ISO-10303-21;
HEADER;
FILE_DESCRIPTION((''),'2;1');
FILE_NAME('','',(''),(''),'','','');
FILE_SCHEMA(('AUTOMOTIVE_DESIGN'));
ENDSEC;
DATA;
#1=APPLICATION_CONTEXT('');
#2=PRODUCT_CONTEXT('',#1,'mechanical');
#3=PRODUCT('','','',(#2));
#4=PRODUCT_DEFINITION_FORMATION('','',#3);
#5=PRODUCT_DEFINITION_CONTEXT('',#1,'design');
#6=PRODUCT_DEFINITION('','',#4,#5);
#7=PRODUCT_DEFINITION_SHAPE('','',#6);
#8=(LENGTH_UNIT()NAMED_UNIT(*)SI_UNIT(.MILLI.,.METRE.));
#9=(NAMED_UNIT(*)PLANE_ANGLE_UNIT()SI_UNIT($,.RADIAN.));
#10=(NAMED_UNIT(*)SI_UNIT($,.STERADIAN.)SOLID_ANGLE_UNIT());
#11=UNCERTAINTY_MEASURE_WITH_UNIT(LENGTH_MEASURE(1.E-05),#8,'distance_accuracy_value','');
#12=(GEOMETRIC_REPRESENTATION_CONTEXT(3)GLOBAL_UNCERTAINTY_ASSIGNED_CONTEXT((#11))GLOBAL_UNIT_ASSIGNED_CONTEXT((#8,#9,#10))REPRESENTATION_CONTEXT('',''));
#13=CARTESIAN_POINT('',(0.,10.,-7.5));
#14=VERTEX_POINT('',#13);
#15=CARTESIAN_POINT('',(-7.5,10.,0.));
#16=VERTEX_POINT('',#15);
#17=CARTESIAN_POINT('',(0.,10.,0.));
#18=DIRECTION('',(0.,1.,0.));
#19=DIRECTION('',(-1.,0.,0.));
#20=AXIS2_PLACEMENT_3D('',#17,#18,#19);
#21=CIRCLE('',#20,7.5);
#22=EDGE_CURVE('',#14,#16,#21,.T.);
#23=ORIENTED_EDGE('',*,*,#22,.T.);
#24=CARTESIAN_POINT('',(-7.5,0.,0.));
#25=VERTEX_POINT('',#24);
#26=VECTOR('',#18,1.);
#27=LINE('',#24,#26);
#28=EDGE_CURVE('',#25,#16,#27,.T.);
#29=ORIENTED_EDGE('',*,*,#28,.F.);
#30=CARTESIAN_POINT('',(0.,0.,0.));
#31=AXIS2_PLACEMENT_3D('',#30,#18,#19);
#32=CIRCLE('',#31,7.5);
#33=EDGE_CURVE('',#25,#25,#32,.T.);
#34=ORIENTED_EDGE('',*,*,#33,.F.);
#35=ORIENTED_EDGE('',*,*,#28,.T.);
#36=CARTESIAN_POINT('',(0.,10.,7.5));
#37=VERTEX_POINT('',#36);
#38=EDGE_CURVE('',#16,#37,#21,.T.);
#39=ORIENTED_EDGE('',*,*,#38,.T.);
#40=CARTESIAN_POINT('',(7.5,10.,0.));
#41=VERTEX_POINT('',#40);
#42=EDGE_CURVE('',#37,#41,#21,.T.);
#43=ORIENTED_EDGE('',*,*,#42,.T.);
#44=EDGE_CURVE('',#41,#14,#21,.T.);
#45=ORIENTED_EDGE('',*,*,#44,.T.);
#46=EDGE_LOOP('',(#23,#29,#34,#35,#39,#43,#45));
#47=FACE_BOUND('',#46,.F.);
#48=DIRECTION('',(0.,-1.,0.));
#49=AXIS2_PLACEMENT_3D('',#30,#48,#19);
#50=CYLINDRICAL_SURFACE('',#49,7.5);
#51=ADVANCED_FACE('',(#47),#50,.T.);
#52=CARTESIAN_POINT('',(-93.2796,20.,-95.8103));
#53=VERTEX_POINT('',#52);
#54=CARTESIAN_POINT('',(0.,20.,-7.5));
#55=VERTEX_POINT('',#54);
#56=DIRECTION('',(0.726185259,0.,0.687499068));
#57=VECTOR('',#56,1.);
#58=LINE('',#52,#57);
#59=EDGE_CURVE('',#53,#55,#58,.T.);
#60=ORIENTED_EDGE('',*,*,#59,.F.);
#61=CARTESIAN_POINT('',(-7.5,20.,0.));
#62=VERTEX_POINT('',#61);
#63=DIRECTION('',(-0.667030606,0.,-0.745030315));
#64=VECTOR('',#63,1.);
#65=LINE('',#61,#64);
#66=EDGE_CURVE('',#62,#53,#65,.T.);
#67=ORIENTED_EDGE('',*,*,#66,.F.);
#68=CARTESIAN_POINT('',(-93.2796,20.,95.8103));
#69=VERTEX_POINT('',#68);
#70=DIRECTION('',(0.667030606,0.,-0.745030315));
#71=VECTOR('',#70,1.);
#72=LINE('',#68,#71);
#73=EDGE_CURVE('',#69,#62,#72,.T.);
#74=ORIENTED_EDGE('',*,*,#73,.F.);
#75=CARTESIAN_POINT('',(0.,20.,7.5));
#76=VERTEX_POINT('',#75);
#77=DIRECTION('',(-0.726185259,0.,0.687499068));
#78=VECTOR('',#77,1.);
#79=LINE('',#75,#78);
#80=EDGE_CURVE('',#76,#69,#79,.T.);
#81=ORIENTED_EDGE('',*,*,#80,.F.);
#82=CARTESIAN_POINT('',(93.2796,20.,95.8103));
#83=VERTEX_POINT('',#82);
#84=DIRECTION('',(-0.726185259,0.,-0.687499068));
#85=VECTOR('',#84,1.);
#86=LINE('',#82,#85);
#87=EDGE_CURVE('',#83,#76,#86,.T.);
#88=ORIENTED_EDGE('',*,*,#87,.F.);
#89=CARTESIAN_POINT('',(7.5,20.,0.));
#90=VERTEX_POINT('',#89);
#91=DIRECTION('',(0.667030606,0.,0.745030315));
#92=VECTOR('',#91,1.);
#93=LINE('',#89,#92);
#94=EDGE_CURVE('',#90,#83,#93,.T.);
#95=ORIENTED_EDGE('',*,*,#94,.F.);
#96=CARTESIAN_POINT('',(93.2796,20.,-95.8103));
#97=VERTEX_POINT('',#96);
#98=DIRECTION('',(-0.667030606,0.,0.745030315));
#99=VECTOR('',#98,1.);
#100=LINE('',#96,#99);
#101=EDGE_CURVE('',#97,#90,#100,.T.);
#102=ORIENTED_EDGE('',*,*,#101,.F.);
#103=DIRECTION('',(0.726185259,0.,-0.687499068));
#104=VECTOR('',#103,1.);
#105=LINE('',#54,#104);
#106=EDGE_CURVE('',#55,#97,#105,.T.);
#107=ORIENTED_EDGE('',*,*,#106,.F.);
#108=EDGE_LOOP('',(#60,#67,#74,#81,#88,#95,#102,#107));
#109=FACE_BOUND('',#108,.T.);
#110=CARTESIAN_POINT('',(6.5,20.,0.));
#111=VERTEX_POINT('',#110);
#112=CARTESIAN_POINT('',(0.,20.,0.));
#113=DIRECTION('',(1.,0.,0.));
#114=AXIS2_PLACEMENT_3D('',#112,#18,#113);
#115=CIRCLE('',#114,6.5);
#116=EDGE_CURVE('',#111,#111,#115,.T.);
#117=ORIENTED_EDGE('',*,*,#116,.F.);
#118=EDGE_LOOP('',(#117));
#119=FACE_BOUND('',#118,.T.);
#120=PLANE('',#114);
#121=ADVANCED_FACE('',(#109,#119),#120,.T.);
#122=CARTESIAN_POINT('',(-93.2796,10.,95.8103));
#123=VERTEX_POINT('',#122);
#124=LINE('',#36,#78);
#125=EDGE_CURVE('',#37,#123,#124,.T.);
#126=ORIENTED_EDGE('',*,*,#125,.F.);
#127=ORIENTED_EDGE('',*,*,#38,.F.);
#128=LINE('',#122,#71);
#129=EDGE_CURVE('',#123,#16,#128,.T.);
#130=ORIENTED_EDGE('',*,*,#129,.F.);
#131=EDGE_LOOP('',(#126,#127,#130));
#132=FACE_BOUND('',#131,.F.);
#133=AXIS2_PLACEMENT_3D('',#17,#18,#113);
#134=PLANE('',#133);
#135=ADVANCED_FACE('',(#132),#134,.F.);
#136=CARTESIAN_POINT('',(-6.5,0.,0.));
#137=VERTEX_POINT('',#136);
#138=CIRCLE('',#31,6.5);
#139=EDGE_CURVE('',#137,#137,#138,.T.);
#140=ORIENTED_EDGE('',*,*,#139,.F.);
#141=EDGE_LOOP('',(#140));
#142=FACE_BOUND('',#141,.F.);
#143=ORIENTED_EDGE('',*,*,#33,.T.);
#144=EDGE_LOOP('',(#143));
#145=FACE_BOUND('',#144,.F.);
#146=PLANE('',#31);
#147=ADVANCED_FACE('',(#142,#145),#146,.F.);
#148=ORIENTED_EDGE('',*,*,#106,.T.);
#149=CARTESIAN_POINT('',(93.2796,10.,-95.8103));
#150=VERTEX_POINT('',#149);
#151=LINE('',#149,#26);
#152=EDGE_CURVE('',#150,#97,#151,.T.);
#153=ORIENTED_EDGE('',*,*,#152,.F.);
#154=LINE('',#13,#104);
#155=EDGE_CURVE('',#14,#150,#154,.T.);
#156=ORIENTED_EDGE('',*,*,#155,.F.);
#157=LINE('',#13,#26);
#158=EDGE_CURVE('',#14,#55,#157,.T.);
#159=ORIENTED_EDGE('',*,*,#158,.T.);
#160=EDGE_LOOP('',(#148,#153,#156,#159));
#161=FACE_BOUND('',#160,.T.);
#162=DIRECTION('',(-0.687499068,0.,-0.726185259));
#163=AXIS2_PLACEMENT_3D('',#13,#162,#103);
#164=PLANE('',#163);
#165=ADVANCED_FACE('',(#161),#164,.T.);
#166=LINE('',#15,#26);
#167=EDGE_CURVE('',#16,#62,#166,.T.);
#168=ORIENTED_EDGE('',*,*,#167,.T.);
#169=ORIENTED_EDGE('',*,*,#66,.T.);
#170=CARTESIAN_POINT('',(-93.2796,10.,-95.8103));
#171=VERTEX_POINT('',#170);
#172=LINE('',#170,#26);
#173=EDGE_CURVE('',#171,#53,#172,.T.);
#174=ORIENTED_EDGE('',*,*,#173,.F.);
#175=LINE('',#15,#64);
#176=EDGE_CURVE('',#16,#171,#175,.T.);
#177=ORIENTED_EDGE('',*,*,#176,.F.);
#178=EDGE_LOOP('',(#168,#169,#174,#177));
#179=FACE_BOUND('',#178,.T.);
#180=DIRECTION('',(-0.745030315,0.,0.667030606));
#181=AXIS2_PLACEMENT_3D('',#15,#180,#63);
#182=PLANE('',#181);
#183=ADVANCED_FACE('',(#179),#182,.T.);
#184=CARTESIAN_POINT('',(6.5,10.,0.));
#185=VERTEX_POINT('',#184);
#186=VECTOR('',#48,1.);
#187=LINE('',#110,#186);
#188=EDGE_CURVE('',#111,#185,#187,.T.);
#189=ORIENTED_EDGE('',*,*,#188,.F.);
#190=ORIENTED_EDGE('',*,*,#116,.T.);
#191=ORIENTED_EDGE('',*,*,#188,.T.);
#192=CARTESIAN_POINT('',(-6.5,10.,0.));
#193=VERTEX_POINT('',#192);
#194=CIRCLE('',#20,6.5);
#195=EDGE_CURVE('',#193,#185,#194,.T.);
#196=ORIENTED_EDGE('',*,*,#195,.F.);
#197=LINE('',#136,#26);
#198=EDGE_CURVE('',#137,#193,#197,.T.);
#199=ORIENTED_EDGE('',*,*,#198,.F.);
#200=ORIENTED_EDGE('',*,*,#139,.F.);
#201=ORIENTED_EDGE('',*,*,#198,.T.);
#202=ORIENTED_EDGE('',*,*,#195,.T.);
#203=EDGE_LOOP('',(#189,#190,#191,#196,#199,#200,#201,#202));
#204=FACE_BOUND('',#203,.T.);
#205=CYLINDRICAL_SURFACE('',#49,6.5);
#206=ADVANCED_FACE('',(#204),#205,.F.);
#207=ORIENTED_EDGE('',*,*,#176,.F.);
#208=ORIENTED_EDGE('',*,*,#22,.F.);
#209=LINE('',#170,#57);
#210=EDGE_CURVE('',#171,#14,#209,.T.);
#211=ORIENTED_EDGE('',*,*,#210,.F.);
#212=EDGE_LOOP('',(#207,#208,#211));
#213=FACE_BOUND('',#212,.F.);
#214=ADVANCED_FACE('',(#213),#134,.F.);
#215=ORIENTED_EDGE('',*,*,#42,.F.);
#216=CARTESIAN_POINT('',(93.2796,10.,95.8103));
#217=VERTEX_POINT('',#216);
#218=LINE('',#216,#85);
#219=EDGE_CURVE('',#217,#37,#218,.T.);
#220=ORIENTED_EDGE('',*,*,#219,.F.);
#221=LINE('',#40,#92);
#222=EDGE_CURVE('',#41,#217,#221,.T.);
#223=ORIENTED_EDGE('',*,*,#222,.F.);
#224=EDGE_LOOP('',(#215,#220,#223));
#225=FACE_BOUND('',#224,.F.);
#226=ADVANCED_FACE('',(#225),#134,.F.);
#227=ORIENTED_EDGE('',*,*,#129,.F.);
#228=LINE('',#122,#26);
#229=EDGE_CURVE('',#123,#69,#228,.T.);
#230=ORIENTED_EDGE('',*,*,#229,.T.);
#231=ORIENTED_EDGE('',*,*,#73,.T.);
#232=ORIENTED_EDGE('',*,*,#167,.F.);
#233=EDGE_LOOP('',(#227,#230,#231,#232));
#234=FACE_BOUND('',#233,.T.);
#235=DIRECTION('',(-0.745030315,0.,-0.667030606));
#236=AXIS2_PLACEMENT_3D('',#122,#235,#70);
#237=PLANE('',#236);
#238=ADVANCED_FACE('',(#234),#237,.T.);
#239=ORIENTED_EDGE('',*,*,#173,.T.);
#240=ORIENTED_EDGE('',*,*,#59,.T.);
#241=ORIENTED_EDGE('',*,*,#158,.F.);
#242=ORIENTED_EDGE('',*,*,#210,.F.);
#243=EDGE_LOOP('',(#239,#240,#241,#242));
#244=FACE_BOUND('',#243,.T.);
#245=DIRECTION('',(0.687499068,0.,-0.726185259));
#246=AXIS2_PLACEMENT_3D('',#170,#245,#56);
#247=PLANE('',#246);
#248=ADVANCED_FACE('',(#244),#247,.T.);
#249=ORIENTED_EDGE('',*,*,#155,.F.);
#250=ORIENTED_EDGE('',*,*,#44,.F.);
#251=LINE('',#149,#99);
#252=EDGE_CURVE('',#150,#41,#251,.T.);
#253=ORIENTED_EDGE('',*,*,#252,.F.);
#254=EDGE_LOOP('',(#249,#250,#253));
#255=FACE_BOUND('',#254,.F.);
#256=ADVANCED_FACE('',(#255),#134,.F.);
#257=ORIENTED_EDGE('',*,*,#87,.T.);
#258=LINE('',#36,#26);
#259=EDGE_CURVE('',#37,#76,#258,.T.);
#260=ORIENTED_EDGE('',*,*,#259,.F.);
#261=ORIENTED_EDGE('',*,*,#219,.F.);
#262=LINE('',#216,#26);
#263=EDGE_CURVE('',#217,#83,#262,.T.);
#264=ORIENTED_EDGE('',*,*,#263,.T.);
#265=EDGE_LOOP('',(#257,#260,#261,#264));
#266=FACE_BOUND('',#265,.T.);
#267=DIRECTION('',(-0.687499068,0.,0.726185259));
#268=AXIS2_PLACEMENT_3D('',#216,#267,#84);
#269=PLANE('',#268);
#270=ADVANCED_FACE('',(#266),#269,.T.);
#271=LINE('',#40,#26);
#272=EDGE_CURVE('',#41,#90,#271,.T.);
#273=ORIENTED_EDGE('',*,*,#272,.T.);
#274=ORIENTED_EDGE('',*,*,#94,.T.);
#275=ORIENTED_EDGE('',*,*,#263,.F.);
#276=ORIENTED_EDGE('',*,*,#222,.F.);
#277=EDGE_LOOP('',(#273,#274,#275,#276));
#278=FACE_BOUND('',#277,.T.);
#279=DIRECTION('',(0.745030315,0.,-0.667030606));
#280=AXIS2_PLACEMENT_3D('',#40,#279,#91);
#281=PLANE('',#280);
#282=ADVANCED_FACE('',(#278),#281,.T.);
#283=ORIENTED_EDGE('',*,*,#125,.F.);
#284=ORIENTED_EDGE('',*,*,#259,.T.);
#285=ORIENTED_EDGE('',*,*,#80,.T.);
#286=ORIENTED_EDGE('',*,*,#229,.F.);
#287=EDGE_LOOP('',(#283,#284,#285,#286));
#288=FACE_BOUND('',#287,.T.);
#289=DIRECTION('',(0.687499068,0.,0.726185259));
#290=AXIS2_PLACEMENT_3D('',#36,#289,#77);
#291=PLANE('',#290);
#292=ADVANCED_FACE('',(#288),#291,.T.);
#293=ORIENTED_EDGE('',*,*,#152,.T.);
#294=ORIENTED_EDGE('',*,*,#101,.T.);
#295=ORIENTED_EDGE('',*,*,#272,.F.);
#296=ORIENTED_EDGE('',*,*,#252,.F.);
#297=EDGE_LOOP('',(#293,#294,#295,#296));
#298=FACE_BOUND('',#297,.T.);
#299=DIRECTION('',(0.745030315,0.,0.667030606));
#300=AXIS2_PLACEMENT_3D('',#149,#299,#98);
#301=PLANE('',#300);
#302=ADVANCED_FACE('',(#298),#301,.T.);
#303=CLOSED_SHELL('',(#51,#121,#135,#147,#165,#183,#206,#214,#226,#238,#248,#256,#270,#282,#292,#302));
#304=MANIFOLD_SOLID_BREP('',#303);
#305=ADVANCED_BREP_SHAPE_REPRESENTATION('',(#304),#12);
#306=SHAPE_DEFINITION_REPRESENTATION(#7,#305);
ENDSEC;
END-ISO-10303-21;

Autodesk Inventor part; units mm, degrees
ref_plane "YZ Plane" through (0, 0, 0) normal (1, 0, 0) x (0, 1, 0)
ref_plane "XZ Plane" through (0, 0, 0) normal (0, 1, 0) x (-1, 0, 0)
ref_plane "XY Plane" through (0, 0, 0) normal (0, 0, 1) x (1, 0, 0)
sketch "Sketch1" plane through (0, 0, 0) normal (0, 1, 0) x (-1, 0, 0)
  circle A0 centre (0, 0) radius 6.5
  circle A1 centre (0, 0) radius 7.5
  dimension "d0" = 13
  dimension "d1" = 15
extrude "Extrusion1" add sketch "Sketch1" along normal blind 10
sketch "Sketch2" plane through (0, 10, 0) normal (0, 1, 0) x (1, 0, 0)
  line L0 (-93.2796, -95.8103) -> (93.2796, 95.8103) construction
  line L1 (93.2796, -95.8103) -> (-93.2796, 95.8103) construction
  circle A0 centre (0, 0) radius 7.5 projected
  line L2 (-7.5, 0) -> (-93.2796, 95.8103)
  line L3 (-93.2796, 95.8103) -> (0, 7.5)
  line L4 (0, 7.5) -> (93.2796, 95.8103)
  line L5 (93.2796, 95.8103) -> (7.5, 0)
  line L6 (7.5, 0) -> (93.2796, -95.8103)
  line L7 (93.2796, -95.8103) -> (0, -7.5)
  line L8 (0, -7.5) -> (-93.2796, -95.8103)
  line L9 (-93.2796, -95.8103) -> (-7.5, 0)
extrude "Extrusion2" add sketch "Sketch2" along normal blind 10
sketch "Sketch3" plane through (0, 10, 0) normal (0, -1, 0) x (1, 0, 0)
  point P0 (0, 0)
sketch "Sketch4" plane through (0, 20, 0) normal (0, 1, 0) x (1, 0, 0)
  circle A0 centre (0, 0) radius 6.5
extrude "Extrusion3" cut sketch "Sketch4" against normal through all
properties part number "Ventilador Pieza extra de ensamble SEBASTIAN BERMUDEZ"
